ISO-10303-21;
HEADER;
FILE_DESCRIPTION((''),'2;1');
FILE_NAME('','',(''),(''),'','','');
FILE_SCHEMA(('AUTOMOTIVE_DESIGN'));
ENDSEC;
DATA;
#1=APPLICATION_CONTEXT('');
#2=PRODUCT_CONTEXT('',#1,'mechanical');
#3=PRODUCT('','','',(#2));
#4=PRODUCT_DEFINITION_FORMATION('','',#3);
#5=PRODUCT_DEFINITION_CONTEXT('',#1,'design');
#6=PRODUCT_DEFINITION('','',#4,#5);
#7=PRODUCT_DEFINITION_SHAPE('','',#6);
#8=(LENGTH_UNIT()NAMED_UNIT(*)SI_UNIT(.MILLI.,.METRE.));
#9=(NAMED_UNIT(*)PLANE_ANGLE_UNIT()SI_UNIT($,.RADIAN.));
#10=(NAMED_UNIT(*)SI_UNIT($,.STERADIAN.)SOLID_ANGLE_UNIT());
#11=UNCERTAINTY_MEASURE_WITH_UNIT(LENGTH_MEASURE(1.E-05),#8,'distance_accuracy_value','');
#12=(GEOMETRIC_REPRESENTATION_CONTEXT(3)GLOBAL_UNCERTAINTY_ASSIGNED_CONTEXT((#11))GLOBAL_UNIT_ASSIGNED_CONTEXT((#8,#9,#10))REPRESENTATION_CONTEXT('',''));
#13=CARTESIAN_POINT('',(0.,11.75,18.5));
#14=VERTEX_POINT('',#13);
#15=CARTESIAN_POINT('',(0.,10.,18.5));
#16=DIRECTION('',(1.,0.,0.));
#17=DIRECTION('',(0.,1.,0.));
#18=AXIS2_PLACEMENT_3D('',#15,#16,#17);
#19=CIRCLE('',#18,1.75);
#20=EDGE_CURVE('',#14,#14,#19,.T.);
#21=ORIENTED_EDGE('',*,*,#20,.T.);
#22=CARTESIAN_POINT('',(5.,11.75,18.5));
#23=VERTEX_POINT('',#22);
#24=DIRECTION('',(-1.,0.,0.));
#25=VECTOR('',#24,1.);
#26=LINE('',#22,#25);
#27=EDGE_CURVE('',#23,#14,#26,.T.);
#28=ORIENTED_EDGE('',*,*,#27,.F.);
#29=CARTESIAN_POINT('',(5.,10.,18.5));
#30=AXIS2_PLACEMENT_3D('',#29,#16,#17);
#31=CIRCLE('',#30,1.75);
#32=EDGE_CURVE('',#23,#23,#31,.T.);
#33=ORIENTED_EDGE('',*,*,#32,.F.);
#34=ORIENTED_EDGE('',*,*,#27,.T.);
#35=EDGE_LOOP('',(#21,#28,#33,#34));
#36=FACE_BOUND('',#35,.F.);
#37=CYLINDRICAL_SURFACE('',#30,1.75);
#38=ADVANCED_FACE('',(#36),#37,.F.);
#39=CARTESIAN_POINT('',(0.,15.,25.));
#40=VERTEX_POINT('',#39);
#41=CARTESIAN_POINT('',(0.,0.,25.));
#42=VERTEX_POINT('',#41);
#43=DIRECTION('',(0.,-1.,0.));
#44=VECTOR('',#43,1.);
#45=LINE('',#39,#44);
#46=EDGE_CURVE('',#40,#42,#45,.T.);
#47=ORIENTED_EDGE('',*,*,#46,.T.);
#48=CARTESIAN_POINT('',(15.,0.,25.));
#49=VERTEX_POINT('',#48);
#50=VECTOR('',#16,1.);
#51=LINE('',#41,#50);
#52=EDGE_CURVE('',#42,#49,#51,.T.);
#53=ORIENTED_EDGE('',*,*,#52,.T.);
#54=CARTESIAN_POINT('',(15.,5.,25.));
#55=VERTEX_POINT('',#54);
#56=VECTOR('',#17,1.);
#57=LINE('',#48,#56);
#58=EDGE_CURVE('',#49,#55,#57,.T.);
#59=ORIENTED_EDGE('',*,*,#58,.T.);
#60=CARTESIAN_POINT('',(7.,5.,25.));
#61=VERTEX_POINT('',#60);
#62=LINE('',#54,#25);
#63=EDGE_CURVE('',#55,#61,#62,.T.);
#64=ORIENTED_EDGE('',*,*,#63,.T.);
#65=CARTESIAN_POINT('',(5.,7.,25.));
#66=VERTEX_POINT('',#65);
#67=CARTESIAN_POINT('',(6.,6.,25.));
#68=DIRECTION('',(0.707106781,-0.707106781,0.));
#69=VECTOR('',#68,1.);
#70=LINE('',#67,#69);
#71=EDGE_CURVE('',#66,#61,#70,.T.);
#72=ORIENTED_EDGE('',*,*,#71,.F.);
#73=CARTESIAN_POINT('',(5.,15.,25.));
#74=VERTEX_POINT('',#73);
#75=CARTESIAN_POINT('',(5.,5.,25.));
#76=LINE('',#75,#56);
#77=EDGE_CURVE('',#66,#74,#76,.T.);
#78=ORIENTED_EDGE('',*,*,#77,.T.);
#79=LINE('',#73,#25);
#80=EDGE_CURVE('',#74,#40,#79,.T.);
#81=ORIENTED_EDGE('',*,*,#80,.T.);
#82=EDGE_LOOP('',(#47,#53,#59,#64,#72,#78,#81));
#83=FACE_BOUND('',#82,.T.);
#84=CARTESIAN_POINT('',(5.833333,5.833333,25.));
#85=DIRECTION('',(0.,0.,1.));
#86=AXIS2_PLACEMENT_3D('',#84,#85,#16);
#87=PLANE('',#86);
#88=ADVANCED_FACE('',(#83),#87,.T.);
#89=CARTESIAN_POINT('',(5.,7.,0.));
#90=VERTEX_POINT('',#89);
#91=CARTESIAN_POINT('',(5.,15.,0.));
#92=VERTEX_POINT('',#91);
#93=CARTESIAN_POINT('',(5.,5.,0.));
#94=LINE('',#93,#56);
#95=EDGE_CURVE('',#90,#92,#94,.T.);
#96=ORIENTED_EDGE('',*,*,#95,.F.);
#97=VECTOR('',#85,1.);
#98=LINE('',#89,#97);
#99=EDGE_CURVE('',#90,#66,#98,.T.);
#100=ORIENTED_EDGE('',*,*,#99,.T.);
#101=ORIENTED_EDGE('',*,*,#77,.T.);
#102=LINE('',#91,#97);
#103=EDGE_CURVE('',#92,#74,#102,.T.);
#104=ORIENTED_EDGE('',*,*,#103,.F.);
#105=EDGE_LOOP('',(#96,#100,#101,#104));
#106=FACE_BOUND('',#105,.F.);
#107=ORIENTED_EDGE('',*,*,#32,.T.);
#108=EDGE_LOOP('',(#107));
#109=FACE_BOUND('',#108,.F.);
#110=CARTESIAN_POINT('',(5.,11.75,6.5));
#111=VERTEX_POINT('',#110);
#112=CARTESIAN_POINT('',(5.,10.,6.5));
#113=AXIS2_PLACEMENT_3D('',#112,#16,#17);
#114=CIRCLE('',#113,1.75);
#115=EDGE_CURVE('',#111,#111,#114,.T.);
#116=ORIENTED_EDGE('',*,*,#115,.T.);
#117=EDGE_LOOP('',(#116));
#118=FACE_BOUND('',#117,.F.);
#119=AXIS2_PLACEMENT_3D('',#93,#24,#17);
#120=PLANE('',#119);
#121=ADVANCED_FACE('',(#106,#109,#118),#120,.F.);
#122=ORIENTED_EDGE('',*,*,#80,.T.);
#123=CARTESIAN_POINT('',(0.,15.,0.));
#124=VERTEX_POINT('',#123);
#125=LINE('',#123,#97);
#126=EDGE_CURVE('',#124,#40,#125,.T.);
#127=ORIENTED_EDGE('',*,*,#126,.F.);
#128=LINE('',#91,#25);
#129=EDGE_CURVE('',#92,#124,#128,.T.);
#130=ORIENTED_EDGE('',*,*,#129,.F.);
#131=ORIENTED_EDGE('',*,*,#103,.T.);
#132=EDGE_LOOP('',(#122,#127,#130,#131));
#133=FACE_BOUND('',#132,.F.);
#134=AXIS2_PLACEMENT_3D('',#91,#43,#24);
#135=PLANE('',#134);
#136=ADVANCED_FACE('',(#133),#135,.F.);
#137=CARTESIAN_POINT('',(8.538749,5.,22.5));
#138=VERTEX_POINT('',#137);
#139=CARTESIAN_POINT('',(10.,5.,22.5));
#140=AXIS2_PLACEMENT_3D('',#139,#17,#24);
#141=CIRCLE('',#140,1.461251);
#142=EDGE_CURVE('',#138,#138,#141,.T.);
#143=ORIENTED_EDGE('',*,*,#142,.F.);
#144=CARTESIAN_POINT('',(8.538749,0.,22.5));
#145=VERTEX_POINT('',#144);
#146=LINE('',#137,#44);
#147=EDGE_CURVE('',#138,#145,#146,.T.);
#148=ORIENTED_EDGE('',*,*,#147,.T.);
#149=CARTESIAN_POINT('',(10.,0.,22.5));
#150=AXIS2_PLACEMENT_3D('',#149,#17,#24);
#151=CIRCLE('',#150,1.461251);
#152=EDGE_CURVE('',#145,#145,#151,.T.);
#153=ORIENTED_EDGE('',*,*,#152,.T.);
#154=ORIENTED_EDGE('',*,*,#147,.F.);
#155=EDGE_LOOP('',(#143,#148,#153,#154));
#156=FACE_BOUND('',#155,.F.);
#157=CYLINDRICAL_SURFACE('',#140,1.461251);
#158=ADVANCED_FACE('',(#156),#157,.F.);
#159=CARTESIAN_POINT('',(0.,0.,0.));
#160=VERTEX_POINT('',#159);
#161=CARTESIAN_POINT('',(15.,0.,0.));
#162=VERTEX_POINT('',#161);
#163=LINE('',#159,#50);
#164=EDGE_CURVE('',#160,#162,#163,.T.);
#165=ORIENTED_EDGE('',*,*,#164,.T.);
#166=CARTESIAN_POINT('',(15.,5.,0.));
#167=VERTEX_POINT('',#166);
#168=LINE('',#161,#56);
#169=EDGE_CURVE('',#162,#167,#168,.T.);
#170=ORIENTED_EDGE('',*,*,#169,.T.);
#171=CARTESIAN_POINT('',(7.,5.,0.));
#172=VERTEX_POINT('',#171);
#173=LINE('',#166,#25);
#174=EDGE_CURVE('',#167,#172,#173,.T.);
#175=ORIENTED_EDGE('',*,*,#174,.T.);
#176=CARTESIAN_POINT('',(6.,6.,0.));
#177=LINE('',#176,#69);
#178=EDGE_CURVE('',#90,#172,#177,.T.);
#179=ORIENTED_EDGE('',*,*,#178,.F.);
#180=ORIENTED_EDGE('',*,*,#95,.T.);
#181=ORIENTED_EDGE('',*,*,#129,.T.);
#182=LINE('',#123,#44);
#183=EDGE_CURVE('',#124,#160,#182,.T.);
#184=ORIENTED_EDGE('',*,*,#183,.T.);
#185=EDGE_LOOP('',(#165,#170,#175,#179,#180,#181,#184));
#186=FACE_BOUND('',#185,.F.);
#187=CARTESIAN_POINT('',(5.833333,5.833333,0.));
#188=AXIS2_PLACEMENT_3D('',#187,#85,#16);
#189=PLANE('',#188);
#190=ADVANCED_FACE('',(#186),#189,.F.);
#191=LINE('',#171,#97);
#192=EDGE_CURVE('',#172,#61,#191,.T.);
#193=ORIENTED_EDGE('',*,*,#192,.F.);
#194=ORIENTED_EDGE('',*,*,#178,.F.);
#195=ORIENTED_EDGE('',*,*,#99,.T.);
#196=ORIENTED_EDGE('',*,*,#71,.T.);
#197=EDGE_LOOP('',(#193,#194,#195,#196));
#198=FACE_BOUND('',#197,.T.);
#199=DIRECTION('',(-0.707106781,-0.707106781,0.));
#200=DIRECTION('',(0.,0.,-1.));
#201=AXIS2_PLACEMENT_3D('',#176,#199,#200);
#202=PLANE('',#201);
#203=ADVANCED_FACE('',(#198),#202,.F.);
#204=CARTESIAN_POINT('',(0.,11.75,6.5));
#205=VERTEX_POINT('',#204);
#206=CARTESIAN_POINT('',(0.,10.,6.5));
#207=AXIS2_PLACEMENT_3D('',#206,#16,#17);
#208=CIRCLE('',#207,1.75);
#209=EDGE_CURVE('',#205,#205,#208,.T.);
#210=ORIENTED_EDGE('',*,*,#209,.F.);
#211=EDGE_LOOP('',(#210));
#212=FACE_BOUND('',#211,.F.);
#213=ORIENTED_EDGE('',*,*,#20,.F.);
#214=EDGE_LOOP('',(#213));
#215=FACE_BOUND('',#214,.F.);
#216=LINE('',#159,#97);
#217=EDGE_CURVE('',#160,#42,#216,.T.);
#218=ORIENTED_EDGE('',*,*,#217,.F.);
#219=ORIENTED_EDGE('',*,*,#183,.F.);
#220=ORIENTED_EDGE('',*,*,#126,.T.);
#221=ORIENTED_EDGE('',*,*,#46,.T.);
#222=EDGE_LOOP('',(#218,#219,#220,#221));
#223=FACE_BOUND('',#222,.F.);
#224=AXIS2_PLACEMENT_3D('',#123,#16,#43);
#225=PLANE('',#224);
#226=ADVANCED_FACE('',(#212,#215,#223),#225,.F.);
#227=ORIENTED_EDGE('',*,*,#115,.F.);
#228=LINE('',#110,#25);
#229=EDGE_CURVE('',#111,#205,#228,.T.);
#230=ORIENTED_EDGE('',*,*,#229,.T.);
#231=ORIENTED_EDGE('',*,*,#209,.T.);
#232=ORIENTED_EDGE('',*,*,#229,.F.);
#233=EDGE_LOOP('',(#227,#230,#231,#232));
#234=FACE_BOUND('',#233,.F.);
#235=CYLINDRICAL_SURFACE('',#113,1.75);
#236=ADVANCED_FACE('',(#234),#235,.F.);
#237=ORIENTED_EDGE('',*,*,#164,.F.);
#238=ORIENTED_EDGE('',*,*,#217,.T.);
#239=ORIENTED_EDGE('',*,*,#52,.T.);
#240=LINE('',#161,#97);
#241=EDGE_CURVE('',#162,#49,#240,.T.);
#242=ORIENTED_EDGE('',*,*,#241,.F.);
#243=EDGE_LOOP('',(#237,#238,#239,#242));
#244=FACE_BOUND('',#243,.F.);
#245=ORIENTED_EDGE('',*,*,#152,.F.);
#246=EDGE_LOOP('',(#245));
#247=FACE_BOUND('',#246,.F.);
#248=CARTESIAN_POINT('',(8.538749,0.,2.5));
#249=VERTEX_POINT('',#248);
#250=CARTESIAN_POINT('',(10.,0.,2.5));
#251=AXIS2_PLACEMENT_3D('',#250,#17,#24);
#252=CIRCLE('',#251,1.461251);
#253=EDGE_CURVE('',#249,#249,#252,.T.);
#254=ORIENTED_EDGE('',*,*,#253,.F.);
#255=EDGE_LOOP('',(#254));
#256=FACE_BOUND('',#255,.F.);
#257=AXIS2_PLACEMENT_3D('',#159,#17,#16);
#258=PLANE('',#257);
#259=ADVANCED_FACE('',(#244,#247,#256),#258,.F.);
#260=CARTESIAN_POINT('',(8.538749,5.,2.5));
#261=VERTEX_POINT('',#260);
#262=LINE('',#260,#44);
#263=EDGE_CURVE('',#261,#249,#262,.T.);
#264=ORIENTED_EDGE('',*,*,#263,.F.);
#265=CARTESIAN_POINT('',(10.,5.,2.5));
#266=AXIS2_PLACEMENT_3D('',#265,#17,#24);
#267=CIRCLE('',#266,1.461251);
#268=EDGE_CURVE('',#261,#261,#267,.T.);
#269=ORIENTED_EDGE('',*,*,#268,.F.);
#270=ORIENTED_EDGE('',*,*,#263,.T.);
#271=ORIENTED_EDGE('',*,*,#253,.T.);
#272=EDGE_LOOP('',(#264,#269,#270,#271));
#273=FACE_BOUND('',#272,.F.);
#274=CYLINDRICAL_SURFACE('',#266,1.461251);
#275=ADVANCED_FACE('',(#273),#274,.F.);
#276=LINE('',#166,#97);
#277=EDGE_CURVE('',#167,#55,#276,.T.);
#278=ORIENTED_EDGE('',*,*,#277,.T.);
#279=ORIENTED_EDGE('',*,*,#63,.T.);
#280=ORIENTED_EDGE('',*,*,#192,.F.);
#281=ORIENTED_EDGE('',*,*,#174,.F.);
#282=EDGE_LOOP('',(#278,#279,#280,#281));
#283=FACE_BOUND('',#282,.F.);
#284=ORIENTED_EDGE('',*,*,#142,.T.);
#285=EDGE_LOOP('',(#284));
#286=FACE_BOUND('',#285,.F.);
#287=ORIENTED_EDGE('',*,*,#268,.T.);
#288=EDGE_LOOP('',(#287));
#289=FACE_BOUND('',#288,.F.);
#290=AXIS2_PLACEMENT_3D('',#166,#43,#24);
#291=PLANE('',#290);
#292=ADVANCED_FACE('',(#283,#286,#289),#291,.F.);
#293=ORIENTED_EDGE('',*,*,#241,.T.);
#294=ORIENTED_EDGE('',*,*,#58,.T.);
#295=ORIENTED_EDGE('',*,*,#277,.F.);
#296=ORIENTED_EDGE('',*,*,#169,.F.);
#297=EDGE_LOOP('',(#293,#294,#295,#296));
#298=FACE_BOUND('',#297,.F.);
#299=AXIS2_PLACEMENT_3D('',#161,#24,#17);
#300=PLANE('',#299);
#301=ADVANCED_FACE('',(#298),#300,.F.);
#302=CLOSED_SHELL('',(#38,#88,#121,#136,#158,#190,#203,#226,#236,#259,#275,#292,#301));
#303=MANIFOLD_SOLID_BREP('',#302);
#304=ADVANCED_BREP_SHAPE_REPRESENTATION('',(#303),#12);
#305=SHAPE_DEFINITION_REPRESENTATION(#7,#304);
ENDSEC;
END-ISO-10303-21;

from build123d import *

# Parameters (mm, degrees)
F1_DEPTH = 25
F2_R     = 1.75
F3_DEPTH = 25
F4_R     = 1.461251
F5_DEPTH = 25
F6_SIZE  = 2


with BuildPart() as f1:
    # F0 (on Top) → F1 (new body)
    with BuildSketch(Plane.XY):
        Polygon((0, 15), (0, 0), (15, 0), (15, 5), (5, 5), (5, 15), align=None)
    extrude(amount=F1_DEPTH)

    # F2 (on face) → F3 (cut)
    with BuildSketch(Plane.YZ.offset(5)):
        with Locations((10, 6.5)):
            Circle(F2_R)
        with Locations((10, 18.5)):
            Circle(F2_R)
    extrude(amount=-F3_DEPTH, mode=Mode.SUBTRACT)

    # F4 (on face) → F5 (cut)
    with BuildSketch(Plane(origin=(0, 5, 0), x_dir=(-1, 0, 0), z_dir=(0, 1, 0))):
        with Locations((-10, 2.5)):
            Circle(F4_R)
        with Locations((-10, 22.5)):
            Circle(F4_R)
    extrude(amount=-F5_DEPTH, mode=Mode.SUBTRACT)

    # F6
    f6_edges = [f1.edges().sort_by_distance(p)[0] for p in [
        (5, 5, 12.5),
    ]]
    chamfer(f6_edges, length=F6_SIZE)


solid = f1.part
